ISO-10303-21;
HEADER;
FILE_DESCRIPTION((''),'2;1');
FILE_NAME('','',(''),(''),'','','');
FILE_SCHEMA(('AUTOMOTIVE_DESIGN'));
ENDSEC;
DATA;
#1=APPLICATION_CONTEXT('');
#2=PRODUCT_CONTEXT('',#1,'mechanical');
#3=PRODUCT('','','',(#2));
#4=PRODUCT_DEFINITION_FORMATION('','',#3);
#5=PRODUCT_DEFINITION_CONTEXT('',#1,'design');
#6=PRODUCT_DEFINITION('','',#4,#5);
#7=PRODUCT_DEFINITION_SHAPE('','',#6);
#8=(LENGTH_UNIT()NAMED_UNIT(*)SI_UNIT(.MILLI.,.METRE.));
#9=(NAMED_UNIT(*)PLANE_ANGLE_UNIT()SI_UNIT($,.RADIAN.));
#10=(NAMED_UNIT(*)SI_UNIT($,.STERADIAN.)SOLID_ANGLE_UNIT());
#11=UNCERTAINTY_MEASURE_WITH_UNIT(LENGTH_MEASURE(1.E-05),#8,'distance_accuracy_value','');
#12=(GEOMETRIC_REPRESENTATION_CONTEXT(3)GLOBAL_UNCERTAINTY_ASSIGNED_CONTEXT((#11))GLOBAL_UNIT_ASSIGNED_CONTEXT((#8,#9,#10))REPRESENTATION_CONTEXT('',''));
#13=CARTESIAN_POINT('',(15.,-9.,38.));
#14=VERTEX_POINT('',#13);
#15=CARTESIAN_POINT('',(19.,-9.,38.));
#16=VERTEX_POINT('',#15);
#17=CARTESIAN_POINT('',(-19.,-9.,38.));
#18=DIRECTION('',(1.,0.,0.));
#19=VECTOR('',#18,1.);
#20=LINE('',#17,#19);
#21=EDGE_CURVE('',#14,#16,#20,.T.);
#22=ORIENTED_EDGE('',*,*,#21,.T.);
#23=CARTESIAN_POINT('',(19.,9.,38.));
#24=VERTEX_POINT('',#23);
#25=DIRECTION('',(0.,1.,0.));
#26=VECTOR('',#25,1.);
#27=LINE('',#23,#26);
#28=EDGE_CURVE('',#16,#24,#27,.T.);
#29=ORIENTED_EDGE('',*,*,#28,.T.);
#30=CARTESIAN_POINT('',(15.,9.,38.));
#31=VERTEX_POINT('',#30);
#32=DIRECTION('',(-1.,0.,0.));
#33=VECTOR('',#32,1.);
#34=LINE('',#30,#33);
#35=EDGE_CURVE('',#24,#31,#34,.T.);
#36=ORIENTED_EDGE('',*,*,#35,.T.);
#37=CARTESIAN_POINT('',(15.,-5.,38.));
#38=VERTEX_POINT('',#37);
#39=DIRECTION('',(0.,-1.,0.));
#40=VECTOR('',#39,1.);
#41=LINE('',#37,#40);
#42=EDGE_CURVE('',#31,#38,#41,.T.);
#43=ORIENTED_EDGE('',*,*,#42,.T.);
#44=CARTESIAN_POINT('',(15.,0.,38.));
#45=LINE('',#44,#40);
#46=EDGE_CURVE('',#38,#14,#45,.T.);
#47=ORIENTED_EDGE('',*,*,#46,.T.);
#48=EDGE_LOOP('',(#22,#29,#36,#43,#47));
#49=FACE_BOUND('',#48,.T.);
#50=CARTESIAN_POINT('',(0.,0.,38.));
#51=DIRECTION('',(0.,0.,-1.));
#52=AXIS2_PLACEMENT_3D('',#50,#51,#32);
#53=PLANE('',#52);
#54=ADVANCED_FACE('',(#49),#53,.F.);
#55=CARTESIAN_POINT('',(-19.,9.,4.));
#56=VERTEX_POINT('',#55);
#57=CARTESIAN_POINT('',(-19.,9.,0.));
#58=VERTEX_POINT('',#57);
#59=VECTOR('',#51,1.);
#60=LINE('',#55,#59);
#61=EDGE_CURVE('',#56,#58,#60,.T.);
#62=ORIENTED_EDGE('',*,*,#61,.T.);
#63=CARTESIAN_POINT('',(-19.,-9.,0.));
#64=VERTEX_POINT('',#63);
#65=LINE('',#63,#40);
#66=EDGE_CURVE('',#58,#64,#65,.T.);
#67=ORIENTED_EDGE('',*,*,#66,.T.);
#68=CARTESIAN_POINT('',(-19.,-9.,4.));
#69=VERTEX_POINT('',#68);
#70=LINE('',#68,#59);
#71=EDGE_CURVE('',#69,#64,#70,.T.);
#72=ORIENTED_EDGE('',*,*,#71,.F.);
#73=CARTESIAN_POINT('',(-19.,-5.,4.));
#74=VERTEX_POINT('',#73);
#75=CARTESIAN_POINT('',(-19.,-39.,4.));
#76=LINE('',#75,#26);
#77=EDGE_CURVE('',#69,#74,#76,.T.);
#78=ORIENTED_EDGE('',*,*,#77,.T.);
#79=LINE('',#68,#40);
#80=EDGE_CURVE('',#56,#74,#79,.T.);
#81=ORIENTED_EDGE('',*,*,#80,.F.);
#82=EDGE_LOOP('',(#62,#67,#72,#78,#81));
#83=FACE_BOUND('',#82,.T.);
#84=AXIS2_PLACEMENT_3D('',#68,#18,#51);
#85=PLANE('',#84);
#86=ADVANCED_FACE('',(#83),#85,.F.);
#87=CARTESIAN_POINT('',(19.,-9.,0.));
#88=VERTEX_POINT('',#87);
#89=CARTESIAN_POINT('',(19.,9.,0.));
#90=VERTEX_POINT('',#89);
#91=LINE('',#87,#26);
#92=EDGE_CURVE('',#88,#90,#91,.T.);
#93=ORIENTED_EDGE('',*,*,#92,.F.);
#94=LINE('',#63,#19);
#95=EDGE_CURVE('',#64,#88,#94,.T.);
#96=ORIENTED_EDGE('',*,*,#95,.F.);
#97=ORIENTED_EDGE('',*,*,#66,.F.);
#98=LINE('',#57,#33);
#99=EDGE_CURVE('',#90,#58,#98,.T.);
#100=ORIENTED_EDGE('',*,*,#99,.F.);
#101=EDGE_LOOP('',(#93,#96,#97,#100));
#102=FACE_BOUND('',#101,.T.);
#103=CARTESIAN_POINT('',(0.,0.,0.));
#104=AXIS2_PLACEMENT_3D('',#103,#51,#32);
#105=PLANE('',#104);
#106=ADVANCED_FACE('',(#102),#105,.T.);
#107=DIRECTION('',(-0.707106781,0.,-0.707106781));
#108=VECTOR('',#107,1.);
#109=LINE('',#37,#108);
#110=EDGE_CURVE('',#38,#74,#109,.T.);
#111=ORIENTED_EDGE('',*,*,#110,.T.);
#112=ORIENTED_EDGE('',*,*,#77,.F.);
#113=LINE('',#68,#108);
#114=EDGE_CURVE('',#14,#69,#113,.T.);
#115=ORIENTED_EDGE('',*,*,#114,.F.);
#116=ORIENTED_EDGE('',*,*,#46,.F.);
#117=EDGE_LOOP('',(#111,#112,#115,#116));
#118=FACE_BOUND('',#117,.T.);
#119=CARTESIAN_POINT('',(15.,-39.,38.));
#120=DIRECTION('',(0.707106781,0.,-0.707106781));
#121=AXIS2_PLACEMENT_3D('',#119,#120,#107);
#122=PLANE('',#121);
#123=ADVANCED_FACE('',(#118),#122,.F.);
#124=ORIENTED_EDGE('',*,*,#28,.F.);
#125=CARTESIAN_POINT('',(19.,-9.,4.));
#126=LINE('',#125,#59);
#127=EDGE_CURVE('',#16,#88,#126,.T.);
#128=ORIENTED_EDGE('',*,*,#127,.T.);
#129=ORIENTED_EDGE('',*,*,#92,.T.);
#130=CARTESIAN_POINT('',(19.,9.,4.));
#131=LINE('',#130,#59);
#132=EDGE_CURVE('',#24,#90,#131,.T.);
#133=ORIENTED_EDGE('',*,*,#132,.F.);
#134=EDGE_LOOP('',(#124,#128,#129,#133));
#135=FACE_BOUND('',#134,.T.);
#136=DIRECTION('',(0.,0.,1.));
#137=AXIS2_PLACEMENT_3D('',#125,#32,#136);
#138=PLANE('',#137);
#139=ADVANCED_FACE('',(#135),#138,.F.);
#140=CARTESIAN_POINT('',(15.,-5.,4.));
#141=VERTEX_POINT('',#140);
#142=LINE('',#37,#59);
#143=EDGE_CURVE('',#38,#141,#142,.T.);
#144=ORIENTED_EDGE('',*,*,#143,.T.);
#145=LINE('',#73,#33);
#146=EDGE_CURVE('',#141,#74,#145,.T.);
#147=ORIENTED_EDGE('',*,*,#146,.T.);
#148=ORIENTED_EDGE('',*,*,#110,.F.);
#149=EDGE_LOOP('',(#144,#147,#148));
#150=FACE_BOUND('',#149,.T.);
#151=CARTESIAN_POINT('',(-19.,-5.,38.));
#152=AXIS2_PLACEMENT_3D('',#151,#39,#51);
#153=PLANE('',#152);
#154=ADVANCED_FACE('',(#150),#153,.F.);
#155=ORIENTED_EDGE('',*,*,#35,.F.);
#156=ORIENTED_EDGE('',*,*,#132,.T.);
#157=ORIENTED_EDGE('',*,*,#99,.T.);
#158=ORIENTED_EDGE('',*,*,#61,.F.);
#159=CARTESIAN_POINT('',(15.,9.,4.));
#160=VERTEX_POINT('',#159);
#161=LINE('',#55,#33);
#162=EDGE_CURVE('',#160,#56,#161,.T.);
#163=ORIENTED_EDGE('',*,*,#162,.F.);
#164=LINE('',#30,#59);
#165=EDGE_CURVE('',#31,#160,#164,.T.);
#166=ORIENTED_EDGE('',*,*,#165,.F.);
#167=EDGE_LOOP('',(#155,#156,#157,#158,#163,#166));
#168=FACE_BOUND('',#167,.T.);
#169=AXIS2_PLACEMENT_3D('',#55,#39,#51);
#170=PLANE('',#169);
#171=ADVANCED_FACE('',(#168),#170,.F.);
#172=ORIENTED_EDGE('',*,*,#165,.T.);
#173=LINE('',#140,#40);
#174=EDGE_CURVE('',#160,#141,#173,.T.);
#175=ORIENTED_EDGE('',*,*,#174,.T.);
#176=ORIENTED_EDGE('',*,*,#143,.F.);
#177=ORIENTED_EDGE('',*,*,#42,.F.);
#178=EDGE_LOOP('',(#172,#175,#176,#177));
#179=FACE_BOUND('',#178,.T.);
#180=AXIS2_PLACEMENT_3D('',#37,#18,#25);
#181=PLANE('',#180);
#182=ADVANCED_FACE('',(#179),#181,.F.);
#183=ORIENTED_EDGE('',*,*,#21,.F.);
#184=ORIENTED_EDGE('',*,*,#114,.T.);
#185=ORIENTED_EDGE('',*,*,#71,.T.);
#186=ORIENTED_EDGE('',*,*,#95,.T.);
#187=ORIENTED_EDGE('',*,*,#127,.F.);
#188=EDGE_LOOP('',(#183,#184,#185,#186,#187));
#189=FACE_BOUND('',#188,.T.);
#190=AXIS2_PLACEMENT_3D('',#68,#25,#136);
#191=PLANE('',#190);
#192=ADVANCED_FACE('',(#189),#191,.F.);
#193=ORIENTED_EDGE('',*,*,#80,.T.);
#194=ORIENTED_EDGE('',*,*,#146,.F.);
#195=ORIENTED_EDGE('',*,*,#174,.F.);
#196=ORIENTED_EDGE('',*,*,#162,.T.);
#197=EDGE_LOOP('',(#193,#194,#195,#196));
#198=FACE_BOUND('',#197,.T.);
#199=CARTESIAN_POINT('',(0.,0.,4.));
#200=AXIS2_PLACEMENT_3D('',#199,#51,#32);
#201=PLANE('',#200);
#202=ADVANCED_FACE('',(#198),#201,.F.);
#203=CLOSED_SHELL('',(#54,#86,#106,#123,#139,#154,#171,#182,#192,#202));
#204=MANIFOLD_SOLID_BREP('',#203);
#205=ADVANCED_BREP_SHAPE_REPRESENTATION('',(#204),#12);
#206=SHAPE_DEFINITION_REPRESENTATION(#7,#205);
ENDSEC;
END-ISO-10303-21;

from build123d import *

# Parameters (mm, degrees)
SKETCH_1_W          = 38
SKETCH_1_H          = 18
EXTRUDE_1_DEPTH     = 4
EXTRUDE_3_DEPTH     = 34
CUT_EXTRUDE_1_DEPTH = 34


with BuildPart() as part:
    # 草图1 → 凸台-拉伸1 (new body)
    with BuildSketch(Plane.XY):
        Rectangle(SKETCH_1_W, SKETCH_1_H)
    extrude(amount=EXTRUDE_1_DEPTH)

    # 草图2 → 凸台-拉伸3 (add)
    with BuildSketch(Plane.XY.offset(4)):
        Polygon((19, 9), (19, -9), (-19, -9), (-19, -5), (15, -5), (15, 9), align=None)
    extrude(amount=EXTRUDE_3_DEPTH)

    # 草图4 → 切除-拉伸1 (cut)
    with BuildSketch(Plane(origin=(0, -5, 0), x_dir=(1, 0, 0), z_dir=(0, 1, 0))):
        Polygon((15, -38), (-19, -4), (-19, -38), align=None)
    extrude(amount=-CUT_EXTRUDE_1_DEPTH, mode=Mode.SUBTRACT)


solid = part.part
